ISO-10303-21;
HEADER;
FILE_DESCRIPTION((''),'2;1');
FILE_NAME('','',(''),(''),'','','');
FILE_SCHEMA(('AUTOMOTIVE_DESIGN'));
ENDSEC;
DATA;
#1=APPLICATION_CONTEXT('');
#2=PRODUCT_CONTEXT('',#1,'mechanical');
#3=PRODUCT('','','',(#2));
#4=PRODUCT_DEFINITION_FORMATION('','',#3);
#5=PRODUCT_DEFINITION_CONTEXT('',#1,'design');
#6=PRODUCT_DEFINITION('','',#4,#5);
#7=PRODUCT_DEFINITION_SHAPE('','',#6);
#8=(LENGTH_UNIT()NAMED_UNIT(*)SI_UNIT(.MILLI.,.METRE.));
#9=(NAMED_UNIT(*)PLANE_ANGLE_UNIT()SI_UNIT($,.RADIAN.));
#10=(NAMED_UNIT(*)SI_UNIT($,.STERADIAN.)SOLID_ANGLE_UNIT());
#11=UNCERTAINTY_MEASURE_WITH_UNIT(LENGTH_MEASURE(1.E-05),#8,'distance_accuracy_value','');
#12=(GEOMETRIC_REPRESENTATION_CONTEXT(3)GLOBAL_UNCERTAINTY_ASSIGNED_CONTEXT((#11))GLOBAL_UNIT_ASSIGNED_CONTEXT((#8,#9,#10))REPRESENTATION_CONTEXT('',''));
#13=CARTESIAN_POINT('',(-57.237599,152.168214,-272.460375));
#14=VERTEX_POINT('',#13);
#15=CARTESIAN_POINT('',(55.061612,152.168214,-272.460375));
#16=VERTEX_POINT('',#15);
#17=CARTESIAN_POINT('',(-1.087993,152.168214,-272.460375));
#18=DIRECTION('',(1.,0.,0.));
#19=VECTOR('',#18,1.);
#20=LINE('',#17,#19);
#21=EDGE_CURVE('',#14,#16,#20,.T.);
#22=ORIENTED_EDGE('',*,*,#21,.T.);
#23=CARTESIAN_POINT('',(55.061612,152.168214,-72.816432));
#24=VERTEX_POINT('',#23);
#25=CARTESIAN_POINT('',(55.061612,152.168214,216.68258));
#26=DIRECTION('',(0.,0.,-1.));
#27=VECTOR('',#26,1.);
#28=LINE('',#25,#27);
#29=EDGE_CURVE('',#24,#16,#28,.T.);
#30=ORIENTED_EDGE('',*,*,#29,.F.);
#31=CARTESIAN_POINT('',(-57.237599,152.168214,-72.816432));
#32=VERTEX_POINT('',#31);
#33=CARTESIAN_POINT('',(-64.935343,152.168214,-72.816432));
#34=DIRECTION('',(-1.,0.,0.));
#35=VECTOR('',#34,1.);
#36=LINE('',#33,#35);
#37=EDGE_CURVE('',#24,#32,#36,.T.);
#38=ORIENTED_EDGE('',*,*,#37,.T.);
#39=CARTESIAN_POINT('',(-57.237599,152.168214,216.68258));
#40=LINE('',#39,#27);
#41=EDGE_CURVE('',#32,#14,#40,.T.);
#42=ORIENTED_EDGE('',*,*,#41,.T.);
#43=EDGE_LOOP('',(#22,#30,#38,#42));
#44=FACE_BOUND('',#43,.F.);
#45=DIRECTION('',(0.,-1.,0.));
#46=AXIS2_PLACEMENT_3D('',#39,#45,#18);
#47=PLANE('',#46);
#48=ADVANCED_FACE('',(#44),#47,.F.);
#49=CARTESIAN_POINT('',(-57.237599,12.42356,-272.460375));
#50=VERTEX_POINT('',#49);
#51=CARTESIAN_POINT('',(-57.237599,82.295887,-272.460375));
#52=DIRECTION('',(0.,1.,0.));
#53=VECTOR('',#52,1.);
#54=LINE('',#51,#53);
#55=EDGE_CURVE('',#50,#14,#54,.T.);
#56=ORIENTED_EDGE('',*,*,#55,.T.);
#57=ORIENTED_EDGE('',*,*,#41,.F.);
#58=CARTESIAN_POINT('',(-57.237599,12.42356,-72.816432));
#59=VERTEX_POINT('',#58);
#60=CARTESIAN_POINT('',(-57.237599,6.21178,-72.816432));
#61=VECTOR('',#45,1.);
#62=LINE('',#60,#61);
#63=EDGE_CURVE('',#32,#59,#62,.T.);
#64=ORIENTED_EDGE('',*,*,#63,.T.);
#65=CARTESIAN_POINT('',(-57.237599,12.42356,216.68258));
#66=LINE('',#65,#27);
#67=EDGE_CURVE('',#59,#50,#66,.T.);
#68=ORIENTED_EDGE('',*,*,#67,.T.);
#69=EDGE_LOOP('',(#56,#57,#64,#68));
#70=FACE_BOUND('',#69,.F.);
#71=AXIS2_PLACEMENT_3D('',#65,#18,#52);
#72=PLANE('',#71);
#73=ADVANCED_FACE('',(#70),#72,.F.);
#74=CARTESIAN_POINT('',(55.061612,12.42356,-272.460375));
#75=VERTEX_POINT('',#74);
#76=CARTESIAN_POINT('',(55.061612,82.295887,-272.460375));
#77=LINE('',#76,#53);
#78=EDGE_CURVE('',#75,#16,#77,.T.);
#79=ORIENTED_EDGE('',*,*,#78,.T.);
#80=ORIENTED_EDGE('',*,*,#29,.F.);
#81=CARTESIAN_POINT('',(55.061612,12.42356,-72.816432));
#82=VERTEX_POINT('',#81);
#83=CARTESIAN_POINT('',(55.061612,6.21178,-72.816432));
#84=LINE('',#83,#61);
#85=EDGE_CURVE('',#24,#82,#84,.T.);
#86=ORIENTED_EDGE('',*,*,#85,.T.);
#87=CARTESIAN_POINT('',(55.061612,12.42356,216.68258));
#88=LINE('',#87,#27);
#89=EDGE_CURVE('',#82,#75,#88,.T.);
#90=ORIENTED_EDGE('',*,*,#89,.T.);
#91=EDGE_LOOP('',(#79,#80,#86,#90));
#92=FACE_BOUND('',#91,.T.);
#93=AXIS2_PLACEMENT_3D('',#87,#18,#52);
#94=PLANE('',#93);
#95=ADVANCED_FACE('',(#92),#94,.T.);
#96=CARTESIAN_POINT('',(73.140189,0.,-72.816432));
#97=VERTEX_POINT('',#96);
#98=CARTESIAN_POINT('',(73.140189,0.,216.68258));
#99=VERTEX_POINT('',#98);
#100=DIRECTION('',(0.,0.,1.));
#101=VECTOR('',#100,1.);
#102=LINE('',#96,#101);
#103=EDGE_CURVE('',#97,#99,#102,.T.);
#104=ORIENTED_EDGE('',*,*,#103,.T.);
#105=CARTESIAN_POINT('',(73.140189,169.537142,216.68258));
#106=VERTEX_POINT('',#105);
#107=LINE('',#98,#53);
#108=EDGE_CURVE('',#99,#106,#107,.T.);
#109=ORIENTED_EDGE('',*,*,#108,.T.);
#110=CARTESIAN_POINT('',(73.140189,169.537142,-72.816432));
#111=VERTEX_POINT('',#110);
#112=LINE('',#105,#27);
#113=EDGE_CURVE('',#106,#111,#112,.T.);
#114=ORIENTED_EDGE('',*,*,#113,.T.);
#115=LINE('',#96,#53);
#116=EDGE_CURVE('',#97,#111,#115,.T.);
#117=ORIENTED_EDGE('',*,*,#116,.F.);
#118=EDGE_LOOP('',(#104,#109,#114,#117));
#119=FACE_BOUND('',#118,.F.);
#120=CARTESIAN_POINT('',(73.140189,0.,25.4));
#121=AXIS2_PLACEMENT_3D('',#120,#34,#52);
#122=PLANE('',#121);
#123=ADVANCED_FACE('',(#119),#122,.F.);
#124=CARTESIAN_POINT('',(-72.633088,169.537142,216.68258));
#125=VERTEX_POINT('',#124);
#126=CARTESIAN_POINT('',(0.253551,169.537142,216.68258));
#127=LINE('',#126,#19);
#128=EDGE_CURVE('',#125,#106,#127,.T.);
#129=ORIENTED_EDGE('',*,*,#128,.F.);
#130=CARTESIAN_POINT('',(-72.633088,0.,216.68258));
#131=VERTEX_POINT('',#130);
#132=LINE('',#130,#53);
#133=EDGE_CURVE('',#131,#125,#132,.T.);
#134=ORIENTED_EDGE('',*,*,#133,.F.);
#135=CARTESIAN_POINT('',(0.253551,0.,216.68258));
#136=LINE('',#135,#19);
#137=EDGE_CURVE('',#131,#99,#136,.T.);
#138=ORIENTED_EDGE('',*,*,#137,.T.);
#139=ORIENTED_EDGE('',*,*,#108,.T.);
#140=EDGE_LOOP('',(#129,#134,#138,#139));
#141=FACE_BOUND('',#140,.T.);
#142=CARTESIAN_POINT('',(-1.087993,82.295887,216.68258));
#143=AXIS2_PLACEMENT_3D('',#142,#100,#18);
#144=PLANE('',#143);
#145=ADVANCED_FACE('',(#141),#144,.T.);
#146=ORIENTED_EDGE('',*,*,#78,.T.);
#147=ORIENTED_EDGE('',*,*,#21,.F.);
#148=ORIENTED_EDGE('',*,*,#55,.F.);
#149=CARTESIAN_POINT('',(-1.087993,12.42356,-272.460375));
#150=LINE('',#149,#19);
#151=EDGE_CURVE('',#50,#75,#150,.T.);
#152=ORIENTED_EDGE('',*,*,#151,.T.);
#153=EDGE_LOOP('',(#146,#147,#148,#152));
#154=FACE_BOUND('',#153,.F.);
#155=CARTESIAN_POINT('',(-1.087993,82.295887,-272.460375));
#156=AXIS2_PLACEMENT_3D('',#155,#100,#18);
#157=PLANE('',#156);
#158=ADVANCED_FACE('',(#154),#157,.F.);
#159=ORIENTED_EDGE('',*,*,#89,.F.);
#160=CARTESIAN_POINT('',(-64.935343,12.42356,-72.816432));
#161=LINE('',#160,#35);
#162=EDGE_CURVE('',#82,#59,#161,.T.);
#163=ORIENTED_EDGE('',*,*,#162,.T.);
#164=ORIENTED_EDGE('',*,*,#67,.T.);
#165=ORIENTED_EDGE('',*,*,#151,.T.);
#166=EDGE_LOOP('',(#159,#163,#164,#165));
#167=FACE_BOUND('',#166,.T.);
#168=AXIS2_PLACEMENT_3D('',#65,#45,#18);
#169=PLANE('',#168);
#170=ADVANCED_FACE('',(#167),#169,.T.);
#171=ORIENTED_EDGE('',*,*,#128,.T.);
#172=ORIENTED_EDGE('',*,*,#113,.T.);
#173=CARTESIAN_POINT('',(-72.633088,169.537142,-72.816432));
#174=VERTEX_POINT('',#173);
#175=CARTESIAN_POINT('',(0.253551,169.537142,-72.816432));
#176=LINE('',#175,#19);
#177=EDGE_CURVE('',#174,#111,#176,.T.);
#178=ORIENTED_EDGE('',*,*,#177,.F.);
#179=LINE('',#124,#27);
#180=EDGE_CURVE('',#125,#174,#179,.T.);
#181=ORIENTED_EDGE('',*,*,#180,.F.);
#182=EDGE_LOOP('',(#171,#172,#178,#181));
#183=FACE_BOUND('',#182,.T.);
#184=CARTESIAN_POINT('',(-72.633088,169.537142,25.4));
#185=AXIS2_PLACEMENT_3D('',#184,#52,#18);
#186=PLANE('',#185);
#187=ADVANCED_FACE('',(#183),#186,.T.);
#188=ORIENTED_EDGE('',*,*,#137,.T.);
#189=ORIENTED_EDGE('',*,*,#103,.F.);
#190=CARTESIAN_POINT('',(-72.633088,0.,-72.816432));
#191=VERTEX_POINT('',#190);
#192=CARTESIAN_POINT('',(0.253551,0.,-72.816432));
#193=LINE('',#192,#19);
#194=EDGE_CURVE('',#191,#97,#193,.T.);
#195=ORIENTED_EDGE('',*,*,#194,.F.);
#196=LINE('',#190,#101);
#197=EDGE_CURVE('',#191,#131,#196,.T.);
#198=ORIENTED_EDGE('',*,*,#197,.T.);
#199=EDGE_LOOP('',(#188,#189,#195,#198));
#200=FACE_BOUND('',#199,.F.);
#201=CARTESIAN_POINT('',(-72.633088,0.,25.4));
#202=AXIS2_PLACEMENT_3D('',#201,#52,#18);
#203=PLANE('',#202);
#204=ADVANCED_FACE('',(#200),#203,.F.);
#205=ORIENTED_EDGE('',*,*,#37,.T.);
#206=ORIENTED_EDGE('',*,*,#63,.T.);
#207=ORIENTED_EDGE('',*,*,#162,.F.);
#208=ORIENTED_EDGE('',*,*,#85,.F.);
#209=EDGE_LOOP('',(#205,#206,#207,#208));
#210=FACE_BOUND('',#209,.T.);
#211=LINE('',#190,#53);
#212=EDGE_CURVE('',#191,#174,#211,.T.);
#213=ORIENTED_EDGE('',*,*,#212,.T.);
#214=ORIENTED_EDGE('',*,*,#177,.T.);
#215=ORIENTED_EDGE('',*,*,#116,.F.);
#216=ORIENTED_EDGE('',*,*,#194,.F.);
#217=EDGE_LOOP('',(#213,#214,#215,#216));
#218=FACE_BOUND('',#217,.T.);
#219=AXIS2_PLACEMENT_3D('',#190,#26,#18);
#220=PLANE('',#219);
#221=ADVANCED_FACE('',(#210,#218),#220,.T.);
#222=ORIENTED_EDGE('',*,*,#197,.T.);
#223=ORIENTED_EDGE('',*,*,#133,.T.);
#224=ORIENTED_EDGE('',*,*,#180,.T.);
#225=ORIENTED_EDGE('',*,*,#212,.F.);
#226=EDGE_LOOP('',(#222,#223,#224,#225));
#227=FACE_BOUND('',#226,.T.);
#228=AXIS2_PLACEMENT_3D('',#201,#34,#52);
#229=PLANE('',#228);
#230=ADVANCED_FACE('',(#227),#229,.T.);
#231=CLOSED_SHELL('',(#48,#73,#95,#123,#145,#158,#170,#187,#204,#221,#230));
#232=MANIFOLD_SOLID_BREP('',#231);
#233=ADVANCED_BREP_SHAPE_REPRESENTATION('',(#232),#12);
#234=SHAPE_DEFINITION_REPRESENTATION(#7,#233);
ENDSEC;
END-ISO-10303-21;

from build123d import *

# Parameters (mm, degrees)
F0_W     = 145.7732766867
F0_H     = 72.8164315224
F1_DEPTH = 169.5371419191
F2_DEPTH = 25.4
F3_DEPTH = 191.2825796753
F4_W     = 112.2992113233
F4_H     = 139.7446542978
F5_DEPTH = 489.1429543495


with BuildPart() as f1:
    # F0 (on Front) → F1 (new body)
    with BuildSketch(Plane.XZ):
        with Locations((0.2535507083, -36.4082157612)):
            Rectangle(F0_W, F0_H)
    extrude(amount=-F1_DEPTH)

    # F2 (add): a face of the model
    f2_faces = [f1.faces().sort_by_distance(p)[0] for p in [
        (0.2535507083, 84.7685709596, 0),
    ]]
    extrude(f2_faces, amount=F2_DEPTH)

    # F3 (add): a face of the model
    f3_faces = [f1.faces().sort_by_distance(p)[0] for p in [
        (0.2535507083, 84.7685709596, 25.4),
    ]]
    extrude(f3_faces, amount=F3_DEPTH)

    # F4 (on face) → F5 (join)
    with BuildSketch(Plane.XY.offset(216.6825796753)):
        with Locations((-1.0879933834, 82.2958871722)):
            Rectangle(F4_W, F4_H)
    extrude(amount=-F5_DEPTH)


solid = f1.part
